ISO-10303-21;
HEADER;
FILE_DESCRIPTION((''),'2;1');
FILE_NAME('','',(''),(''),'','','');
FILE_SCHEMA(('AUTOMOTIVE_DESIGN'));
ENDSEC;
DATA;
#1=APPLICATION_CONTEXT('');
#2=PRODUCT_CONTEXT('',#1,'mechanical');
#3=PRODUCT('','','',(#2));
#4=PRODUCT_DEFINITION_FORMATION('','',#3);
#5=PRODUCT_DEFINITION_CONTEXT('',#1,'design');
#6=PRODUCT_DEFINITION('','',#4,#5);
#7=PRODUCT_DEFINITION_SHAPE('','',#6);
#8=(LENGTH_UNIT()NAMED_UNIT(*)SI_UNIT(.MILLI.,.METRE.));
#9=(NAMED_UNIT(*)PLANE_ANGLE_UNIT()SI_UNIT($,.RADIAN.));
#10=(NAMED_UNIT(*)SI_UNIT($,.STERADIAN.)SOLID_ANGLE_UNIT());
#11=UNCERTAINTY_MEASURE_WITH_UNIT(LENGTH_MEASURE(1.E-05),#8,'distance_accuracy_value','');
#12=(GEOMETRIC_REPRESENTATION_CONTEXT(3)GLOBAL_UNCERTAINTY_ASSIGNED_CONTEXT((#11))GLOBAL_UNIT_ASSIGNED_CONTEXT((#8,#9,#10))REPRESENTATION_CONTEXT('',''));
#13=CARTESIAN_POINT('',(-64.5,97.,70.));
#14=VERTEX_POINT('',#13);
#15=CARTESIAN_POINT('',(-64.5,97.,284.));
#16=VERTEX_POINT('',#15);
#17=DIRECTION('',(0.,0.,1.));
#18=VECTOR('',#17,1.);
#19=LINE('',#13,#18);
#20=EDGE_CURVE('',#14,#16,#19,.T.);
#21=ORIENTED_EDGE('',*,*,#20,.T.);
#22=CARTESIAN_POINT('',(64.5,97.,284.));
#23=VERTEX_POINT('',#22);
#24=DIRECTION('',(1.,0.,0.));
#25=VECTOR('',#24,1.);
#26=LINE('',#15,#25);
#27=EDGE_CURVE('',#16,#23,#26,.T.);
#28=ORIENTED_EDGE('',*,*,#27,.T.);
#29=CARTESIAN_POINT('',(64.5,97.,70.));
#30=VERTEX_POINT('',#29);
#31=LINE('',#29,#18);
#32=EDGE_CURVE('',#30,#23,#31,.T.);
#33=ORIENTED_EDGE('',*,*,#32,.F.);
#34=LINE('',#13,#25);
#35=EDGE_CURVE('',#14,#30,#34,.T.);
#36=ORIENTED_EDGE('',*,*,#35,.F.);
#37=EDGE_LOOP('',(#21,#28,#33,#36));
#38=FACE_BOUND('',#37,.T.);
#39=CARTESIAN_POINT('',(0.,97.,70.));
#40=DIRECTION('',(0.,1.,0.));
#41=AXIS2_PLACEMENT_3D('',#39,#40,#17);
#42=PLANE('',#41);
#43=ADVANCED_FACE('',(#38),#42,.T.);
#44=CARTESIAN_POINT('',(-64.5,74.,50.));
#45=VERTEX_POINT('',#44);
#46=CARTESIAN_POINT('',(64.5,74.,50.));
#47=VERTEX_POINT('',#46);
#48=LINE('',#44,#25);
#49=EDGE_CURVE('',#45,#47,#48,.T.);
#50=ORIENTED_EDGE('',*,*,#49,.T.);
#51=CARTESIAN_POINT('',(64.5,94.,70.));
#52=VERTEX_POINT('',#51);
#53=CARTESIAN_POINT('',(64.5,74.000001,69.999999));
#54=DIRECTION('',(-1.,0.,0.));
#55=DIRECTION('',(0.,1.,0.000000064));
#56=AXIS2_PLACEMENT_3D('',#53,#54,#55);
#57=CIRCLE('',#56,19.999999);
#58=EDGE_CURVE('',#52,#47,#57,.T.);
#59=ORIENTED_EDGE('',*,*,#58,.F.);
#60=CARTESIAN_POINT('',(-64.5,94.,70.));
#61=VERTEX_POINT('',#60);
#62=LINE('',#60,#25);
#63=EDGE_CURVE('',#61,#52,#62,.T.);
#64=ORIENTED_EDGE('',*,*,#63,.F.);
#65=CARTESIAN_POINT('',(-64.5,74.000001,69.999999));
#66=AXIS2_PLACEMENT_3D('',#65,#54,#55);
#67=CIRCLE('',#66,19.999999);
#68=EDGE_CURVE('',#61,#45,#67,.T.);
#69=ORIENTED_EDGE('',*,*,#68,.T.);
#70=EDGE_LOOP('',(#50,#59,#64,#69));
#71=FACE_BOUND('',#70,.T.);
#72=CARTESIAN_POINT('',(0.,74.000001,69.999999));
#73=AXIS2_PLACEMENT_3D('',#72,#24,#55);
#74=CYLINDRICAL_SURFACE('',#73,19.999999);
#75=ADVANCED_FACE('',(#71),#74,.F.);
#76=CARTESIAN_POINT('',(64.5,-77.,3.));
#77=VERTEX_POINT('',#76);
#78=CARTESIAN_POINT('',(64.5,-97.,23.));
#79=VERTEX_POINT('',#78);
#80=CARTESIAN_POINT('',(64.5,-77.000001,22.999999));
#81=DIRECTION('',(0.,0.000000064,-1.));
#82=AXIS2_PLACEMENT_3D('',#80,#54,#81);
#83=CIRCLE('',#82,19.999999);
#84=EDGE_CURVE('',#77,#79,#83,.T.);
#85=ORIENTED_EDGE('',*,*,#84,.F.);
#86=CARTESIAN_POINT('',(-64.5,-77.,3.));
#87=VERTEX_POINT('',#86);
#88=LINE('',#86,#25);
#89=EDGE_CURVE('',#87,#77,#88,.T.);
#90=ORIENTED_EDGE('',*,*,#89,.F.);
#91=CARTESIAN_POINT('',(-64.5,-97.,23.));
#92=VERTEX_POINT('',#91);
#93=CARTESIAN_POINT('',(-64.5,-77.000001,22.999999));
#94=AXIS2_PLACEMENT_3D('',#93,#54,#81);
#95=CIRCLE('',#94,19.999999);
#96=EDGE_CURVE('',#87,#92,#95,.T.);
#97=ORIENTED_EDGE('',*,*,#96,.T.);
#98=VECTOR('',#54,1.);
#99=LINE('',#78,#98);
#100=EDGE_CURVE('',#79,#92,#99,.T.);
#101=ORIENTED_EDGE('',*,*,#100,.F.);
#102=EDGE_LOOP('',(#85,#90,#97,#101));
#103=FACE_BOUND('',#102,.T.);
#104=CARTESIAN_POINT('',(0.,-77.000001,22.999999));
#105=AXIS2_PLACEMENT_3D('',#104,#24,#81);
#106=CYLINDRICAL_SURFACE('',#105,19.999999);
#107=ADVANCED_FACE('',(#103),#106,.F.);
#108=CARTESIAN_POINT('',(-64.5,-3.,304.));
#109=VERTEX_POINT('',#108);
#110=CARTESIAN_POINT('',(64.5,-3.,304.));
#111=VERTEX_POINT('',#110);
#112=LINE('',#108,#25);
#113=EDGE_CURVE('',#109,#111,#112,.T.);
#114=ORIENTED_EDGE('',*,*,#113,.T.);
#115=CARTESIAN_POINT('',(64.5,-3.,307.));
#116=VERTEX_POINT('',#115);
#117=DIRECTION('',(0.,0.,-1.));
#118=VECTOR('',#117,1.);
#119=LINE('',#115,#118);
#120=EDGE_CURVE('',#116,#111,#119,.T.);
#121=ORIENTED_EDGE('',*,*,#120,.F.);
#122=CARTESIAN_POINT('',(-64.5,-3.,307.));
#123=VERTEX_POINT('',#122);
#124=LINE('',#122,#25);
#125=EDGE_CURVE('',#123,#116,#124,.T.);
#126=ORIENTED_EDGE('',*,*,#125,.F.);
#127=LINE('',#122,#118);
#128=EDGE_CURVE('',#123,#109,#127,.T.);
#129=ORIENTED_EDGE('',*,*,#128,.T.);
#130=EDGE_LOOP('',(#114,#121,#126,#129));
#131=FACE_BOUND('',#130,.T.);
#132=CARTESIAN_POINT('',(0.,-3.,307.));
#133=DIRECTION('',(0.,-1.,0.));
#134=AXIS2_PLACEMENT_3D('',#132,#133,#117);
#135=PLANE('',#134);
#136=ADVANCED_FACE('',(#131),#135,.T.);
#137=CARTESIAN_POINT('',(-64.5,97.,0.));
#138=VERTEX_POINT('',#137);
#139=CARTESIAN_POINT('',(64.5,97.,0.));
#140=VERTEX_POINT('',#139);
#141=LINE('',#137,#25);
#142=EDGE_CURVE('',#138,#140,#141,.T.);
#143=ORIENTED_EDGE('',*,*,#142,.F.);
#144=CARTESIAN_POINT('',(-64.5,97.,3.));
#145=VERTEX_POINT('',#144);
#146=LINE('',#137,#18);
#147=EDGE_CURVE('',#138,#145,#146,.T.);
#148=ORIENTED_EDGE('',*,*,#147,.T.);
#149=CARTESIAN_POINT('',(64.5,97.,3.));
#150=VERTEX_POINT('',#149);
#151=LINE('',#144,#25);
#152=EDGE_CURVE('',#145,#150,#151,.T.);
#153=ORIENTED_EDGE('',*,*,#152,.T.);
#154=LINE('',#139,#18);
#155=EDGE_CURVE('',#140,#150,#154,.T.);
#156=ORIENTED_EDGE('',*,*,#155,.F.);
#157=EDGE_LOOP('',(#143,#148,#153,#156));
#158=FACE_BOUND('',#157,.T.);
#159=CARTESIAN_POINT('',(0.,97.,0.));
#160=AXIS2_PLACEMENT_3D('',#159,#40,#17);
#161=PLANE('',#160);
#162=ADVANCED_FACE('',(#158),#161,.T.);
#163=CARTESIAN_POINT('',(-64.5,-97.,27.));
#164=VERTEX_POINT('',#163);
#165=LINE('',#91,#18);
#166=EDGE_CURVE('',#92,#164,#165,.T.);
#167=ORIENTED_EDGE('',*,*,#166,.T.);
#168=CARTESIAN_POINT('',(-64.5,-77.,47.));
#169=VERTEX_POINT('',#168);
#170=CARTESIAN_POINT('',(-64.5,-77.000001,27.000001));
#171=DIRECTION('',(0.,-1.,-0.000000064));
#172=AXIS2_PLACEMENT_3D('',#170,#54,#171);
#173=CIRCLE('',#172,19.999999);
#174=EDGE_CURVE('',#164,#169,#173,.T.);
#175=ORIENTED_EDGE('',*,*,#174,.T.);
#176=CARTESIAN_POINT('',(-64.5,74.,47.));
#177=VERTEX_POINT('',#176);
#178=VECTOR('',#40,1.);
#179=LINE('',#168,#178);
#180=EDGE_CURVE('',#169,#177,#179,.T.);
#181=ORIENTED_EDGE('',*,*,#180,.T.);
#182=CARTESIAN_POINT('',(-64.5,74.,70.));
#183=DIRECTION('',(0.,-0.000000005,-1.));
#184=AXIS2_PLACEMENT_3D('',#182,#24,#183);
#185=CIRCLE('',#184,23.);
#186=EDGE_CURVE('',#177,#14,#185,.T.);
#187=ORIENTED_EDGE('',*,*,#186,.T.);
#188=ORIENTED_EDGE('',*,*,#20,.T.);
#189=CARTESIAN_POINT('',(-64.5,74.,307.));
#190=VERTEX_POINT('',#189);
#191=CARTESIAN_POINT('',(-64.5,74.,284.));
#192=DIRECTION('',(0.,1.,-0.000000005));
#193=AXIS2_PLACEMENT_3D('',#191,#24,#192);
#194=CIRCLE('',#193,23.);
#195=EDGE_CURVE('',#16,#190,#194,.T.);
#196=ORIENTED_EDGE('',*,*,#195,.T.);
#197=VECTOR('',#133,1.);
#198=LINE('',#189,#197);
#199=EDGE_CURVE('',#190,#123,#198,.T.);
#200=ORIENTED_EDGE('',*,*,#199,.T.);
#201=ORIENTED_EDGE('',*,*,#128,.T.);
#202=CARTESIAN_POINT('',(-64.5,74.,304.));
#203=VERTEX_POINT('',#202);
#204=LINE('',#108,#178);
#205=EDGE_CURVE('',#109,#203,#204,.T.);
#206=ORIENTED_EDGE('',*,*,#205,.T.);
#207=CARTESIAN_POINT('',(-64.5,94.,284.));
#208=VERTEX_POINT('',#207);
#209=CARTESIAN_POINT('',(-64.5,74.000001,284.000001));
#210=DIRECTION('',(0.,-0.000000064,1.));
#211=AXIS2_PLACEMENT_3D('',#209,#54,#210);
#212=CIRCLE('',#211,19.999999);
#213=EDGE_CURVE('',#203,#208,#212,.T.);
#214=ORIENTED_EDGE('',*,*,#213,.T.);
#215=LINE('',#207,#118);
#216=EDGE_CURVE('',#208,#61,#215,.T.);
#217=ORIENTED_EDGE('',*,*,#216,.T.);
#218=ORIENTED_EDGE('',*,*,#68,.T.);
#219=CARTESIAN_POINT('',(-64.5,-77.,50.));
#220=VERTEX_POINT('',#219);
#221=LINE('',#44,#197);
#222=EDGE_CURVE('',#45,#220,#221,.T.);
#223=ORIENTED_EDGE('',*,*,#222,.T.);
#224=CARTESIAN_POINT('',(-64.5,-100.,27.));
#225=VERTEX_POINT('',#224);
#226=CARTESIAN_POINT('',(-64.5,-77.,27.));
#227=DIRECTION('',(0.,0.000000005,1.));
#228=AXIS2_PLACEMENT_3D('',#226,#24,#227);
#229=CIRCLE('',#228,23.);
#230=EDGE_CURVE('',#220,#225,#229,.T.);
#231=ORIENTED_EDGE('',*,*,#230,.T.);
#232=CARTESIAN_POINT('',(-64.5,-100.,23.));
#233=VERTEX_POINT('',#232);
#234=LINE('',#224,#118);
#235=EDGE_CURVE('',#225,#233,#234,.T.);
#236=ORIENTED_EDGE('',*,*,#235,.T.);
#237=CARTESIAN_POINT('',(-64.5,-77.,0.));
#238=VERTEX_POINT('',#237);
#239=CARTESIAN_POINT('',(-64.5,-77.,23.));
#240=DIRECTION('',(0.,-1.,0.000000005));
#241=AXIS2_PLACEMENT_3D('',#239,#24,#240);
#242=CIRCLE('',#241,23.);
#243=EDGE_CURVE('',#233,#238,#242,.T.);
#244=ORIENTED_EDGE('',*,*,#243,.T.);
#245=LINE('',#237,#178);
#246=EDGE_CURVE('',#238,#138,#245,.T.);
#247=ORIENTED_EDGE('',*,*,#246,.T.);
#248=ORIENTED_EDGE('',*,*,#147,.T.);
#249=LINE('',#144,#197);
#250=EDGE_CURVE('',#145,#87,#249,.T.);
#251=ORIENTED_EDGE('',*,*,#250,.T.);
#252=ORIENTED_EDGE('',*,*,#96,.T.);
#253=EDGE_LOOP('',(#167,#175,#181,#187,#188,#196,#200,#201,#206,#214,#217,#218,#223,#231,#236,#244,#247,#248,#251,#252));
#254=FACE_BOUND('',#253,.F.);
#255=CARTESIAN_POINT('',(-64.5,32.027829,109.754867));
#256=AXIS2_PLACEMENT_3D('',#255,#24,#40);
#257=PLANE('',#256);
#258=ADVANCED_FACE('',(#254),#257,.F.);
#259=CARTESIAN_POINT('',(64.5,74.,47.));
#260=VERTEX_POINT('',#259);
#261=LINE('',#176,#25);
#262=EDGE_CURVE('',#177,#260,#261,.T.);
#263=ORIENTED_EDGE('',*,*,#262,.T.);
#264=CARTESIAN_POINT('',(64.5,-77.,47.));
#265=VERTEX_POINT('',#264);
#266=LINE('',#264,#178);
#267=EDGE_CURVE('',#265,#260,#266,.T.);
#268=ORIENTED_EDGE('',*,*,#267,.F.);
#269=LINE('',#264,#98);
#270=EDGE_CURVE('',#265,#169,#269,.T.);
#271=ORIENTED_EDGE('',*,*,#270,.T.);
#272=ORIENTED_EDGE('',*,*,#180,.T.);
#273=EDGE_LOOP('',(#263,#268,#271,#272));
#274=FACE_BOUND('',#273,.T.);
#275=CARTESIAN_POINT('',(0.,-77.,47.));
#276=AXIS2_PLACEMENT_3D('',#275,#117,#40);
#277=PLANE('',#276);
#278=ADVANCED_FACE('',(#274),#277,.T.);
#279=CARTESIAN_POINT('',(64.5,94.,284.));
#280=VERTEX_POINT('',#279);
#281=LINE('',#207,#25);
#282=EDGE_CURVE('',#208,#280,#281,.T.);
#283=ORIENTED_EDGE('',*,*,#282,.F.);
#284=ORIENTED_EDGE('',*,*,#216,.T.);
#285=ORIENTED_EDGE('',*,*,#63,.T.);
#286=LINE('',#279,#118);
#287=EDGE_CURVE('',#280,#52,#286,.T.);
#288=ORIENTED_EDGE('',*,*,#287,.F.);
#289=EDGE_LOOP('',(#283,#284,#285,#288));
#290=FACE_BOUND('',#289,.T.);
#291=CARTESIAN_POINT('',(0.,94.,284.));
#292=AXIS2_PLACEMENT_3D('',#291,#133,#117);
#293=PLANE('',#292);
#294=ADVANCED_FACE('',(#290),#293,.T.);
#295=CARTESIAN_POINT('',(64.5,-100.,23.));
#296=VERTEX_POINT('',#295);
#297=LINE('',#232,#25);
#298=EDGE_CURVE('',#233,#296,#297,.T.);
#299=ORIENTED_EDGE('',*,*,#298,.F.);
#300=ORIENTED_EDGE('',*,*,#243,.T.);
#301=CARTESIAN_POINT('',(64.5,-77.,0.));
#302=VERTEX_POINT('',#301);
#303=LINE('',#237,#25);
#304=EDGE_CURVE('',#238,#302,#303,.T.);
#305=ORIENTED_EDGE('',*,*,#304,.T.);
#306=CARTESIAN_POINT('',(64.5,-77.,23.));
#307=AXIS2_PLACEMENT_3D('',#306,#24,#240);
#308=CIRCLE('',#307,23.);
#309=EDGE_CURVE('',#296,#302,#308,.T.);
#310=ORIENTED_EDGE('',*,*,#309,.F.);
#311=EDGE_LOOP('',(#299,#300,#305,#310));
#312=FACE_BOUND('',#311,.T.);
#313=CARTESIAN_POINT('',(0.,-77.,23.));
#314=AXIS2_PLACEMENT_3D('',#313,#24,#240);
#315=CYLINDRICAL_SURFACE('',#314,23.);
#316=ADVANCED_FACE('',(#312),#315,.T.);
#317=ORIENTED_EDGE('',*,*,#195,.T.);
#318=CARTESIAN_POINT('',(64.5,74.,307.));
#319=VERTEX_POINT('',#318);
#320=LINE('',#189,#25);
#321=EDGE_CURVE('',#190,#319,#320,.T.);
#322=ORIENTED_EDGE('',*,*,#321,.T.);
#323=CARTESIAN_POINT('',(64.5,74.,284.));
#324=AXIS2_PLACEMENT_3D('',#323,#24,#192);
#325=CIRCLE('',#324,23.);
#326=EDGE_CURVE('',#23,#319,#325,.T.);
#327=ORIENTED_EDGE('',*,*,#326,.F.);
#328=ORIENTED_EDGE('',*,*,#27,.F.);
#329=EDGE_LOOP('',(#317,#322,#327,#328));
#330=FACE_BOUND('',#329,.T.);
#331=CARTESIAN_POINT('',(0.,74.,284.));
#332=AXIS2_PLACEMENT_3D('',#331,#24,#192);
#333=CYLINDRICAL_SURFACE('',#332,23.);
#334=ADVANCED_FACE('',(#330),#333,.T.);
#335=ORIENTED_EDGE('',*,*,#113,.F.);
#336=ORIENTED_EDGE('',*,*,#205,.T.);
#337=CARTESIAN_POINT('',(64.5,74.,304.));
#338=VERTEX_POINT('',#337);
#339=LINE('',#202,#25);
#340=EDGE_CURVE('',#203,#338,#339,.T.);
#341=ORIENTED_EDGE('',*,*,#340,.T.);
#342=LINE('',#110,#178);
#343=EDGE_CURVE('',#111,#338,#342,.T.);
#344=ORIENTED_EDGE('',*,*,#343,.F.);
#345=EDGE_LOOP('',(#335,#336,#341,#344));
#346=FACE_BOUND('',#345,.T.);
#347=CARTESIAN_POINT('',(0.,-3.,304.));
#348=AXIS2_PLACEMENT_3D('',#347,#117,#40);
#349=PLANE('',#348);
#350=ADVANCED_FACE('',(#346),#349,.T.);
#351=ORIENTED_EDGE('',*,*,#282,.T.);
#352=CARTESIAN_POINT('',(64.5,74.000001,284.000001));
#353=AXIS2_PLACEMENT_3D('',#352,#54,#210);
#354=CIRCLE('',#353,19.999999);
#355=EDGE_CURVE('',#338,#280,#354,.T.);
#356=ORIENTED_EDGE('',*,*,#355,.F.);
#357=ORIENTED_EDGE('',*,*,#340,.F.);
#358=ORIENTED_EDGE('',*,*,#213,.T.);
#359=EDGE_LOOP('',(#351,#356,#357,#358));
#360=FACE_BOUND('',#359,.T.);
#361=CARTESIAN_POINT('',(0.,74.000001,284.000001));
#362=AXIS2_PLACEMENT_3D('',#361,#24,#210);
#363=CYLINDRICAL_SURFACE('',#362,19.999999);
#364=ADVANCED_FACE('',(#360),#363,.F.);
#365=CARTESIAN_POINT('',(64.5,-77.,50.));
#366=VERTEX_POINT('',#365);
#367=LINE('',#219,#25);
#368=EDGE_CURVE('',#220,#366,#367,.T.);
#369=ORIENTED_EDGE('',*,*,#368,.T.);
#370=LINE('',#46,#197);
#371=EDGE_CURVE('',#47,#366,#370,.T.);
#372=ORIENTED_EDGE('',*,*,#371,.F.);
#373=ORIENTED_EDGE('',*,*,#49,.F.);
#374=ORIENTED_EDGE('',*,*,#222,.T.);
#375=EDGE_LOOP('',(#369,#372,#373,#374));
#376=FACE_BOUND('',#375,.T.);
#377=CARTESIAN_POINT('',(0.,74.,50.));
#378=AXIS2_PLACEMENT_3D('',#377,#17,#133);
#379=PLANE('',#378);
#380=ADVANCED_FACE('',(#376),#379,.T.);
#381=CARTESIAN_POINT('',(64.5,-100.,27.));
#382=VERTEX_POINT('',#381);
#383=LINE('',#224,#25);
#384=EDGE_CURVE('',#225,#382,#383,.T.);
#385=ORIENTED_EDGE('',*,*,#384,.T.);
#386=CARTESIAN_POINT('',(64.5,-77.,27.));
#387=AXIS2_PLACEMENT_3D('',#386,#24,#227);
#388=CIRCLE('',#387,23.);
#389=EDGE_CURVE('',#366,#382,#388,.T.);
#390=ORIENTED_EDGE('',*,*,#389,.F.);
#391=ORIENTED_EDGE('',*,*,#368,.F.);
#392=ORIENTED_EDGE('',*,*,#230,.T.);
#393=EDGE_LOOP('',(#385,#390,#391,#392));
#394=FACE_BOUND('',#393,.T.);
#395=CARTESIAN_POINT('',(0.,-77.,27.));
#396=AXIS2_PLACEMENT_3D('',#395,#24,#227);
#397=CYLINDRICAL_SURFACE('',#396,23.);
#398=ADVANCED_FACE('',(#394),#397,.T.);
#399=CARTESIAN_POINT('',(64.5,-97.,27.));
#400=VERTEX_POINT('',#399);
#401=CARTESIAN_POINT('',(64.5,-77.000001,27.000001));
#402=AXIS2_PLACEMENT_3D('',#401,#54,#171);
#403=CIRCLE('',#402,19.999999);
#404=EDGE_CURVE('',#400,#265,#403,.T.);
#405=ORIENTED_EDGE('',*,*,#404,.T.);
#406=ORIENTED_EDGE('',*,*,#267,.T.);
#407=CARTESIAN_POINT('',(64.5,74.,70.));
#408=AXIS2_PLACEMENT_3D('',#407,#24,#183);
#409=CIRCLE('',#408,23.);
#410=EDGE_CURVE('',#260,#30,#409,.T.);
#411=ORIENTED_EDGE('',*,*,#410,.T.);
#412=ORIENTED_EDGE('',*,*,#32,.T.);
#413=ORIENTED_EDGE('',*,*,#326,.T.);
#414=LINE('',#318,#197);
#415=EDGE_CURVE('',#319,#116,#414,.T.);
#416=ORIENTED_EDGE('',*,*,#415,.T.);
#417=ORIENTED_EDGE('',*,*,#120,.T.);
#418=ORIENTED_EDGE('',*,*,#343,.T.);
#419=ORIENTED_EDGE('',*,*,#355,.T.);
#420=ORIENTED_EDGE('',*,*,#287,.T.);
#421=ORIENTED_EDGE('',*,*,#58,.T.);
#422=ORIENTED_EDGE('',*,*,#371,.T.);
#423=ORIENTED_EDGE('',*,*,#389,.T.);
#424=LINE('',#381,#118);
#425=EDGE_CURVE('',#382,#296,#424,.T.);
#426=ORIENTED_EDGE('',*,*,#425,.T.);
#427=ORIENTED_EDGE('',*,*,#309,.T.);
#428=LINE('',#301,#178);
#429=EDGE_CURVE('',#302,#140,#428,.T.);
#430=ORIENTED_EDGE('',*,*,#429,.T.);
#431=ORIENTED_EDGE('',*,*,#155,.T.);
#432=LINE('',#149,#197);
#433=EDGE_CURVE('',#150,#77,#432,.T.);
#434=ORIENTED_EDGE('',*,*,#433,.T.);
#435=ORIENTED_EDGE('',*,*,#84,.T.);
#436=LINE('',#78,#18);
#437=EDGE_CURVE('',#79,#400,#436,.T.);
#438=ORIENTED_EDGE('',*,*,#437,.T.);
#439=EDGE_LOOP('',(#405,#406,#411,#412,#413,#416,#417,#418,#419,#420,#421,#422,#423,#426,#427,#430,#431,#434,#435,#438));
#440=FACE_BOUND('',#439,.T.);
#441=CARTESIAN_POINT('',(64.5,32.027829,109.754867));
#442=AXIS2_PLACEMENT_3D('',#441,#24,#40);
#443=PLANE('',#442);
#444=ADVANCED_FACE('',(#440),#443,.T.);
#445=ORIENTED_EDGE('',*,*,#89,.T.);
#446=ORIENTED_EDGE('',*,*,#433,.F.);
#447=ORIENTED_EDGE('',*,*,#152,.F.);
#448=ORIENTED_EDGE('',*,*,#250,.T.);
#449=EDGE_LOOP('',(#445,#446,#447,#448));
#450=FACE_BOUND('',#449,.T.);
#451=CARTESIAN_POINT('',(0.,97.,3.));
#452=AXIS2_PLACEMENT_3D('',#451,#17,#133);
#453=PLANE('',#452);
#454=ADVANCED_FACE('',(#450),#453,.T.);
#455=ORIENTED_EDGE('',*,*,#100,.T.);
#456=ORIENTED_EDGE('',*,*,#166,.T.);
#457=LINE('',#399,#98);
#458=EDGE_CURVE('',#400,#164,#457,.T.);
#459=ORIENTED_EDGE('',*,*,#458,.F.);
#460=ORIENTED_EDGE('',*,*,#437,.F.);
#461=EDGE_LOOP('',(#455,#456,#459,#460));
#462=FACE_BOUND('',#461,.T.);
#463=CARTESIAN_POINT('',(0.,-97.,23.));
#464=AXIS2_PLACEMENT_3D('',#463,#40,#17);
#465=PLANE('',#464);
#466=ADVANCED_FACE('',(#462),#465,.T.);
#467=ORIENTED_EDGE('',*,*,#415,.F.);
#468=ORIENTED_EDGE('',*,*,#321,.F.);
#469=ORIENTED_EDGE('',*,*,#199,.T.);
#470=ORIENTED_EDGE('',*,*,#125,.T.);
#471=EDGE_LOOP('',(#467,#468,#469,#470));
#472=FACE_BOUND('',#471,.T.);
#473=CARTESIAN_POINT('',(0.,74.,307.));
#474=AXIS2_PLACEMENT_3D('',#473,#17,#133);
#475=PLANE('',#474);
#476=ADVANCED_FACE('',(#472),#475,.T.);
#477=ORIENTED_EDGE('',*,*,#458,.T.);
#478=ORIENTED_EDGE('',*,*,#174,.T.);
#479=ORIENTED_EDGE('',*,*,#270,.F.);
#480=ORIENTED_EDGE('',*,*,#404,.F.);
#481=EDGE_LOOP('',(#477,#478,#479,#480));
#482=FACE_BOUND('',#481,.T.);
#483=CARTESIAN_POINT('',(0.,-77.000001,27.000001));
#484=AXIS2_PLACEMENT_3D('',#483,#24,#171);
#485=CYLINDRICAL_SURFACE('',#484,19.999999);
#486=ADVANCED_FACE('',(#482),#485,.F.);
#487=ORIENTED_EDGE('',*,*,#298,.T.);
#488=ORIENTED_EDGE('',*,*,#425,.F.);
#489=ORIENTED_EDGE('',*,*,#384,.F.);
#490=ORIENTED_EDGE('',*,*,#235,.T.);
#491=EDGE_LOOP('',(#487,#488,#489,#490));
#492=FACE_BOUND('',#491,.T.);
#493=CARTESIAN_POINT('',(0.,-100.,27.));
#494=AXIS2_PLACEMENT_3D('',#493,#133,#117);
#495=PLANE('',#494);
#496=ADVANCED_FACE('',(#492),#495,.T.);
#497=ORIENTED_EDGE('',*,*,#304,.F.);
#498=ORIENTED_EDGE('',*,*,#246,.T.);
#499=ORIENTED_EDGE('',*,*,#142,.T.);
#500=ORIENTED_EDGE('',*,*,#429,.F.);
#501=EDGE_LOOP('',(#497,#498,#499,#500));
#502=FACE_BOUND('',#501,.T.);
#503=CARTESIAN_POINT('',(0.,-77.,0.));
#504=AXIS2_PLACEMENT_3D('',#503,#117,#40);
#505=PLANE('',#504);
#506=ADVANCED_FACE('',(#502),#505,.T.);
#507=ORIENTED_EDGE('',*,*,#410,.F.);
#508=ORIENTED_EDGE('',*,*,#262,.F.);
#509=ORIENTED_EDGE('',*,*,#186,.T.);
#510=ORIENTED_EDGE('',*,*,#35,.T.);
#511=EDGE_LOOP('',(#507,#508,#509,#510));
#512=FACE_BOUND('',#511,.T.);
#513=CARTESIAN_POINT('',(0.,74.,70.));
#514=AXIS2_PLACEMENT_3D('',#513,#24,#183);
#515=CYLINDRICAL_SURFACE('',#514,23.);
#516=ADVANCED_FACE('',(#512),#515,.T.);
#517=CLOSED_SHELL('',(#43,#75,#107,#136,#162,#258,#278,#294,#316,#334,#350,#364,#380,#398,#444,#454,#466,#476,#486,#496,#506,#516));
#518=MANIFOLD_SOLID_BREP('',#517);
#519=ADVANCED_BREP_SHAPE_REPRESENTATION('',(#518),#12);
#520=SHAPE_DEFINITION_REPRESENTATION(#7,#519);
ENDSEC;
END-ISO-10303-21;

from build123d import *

# Parameters (mm, degrees)
F1_DEPTH = 64.5


with BuildPart() as f1:
    # F0 (on Right) → F1 (new body, symmetric)
    with BuildSketch(Plane.YZ):
        with BuildLine():
            Line((-77, 47), (74, 47))
            ThreePointArc((74, 47), (90.263456, 53.736544), (97, 70))
            Line((97, 70), (97, 284))
            ThreePointArc((97, 284), (90.263456, 300.263456), (74, 307))
            Line((74, 307), (-3, 307))
            Line((-3, 307), (-3, 304))
            Line((-3, 304), (74, 304))
            ThreePointArc((74, 304), (88.142136, 298.142136), (94, 284))
            Line((94, 284), (94, 70))
            ThreePointArc((94, 70), (88.142136, 55.857864), (74, 50))
            Line((74, 50), (-77, 50))
            ThreePointArc((-77, 50), (-93.263456, 43.263456), (-100, 27))
            Line((-100, 27), (-100, 23))
            ThreePointArc((-100, 23), (-93.263456, 6.736544), (-77, 0))
            Line((-77, 0), (97, 0))
            Line((97, 0), (97, 3))
            Line((97, 3), (-77, 3))
            ThreePointArc((-77, 3), (-91.142136, 8.857864), (-97, 23))
            Line((-97, 23), (-97, 27))
            ThreePointArc((-97, 27), (-91.142136, 41.142136), (-77, 47))
        make_face()
    extrude(amount=F1_DEPTH, both=True)


solid = f1.part
